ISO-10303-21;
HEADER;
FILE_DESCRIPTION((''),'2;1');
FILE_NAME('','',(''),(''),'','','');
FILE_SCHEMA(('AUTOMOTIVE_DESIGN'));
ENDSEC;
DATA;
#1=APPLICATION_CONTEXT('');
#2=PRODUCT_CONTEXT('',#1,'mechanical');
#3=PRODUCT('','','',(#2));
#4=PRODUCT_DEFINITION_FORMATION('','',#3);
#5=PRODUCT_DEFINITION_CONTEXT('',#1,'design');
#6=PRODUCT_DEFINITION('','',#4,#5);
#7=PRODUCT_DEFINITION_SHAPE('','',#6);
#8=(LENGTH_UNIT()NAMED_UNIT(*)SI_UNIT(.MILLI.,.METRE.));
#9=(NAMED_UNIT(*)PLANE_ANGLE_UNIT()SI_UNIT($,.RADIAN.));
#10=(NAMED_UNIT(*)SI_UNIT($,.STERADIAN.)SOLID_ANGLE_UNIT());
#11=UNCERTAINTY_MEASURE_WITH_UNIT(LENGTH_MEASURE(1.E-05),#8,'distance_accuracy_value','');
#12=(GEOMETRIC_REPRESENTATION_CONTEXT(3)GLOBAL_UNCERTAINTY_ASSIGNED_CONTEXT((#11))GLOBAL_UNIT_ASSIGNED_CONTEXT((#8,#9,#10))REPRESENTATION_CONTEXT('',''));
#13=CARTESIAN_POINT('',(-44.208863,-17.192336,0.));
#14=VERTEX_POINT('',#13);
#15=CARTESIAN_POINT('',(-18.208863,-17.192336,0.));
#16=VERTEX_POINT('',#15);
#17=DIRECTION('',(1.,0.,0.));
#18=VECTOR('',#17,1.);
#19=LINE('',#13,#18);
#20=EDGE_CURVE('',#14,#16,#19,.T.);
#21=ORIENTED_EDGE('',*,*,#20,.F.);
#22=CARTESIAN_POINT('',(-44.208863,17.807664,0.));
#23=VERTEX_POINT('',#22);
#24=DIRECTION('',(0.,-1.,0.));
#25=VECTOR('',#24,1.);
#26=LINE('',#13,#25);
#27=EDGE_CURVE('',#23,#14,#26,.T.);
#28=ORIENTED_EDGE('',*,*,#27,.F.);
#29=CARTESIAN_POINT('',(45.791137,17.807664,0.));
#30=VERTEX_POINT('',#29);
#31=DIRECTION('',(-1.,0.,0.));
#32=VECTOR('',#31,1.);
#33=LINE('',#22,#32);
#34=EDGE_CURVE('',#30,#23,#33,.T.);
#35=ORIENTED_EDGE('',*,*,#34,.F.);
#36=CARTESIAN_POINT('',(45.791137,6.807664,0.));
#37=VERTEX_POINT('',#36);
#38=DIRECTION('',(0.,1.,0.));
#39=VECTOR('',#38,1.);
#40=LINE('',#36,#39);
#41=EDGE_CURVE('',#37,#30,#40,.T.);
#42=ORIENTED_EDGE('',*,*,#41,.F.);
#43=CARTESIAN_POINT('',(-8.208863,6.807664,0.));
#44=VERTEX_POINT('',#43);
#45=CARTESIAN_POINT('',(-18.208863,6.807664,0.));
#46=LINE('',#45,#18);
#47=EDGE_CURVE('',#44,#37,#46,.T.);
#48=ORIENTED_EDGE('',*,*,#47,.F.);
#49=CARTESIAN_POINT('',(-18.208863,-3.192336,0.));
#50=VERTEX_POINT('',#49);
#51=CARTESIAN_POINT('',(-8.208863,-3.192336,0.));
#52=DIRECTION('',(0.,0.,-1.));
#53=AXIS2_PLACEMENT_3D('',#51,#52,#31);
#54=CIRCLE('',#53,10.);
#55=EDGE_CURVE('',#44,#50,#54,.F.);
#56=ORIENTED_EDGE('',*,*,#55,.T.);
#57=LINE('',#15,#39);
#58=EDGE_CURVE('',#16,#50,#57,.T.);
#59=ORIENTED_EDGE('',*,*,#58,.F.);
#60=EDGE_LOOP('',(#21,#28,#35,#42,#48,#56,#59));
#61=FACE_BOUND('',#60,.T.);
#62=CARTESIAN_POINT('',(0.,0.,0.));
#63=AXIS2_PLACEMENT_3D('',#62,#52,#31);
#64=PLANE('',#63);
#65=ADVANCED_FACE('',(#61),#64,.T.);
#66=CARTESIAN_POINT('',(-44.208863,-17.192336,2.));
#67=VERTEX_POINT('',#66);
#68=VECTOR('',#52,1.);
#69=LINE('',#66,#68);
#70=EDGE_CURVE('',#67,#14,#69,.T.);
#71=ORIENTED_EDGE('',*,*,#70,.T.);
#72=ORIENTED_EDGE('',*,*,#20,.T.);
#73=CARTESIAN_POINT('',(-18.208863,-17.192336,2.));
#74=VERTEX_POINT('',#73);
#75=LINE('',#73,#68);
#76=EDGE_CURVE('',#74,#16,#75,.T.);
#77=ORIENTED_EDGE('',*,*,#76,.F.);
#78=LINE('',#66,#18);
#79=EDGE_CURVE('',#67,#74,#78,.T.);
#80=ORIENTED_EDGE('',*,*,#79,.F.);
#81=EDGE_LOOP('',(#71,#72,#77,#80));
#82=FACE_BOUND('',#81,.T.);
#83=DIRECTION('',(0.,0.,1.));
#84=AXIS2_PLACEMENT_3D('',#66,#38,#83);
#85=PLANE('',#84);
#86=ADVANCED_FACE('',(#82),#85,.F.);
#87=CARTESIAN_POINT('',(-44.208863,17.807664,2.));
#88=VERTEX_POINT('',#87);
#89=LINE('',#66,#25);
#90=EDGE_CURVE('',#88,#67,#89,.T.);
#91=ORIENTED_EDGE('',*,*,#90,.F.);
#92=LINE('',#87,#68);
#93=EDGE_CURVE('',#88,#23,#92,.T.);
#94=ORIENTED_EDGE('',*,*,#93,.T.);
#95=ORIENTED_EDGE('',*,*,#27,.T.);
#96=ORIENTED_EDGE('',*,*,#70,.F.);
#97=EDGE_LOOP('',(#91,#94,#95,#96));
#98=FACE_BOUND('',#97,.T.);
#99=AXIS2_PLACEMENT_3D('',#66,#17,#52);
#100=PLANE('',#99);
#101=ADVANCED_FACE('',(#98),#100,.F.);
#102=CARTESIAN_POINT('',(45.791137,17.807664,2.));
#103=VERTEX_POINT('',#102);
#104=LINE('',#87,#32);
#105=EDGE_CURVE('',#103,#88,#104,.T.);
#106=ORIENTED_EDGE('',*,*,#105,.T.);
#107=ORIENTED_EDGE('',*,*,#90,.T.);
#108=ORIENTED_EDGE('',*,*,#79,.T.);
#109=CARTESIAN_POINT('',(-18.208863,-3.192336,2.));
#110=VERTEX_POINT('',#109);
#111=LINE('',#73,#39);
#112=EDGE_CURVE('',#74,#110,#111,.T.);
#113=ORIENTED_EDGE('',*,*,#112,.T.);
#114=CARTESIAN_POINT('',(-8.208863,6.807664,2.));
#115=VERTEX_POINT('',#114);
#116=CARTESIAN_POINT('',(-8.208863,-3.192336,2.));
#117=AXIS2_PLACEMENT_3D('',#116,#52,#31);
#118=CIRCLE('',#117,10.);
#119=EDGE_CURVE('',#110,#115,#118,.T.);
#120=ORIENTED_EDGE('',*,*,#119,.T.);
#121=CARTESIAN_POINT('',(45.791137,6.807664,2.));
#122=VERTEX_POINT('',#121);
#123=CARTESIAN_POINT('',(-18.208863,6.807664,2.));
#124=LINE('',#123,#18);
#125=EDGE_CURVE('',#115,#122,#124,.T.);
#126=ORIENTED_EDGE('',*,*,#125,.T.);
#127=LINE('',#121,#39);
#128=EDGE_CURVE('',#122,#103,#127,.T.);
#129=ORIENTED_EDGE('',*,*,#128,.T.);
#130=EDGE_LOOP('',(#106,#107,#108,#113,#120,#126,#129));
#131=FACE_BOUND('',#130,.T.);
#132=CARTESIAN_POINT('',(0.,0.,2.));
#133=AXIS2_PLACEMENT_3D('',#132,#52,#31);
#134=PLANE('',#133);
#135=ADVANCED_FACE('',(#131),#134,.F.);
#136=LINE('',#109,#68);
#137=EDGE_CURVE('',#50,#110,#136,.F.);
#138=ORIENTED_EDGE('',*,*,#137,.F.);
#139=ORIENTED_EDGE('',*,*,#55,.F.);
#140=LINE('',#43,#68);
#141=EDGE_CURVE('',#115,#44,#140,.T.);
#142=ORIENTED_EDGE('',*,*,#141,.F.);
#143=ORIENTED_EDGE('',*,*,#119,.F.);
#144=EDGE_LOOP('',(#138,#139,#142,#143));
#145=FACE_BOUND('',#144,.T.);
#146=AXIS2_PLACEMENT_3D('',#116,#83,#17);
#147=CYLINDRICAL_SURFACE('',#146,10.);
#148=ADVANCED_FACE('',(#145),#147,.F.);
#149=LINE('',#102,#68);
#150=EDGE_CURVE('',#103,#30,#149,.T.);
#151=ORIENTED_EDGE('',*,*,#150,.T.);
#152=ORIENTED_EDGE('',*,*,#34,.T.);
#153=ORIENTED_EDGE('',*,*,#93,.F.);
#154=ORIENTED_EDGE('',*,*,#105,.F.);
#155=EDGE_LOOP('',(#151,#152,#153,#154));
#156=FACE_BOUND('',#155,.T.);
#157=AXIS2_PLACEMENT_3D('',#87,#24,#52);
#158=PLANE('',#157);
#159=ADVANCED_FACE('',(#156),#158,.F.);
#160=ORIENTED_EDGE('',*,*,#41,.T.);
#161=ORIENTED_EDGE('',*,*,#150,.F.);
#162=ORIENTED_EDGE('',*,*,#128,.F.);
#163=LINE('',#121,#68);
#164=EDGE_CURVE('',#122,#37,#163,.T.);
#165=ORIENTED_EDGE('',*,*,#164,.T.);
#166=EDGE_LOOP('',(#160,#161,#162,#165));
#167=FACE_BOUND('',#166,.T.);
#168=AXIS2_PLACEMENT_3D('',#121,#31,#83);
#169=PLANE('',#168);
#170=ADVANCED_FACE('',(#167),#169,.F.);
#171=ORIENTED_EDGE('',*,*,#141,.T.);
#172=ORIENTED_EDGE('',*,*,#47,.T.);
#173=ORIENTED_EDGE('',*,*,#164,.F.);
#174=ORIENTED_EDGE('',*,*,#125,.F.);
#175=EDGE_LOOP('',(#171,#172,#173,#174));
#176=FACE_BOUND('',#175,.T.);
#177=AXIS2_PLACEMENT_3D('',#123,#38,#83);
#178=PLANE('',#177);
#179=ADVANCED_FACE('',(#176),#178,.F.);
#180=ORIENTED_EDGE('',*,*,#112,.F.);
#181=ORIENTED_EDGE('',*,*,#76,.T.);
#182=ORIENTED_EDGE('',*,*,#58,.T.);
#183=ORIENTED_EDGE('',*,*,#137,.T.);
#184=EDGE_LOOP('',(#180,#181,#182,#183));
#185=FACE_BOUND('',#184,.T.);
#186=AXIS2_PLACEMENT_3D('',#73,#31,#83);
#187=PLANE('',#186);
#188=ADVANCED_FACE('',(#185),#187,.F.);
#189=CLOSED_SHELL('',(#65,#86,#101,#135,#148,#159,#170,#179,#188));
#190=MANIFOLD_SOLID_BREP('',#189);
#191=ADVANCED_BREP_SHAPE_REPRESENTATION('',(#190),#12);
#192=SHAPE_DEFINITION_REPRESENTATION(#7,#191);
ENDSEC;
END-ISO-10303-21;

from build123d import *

# Parameters (mm, degrees)
BOSS_EXTRUDE1_DEPTH = 2
FILLET2_R           = 10


with BuildPart() as part:
    # Sketch1 → Boss-Extrude1 (new body)
    with BuildSketch(Plane.XY):
        Polygon((-18.20886328, -17.19233572), (-18.20886328, 6.80766428), (45.79113672, 6.80766428), (45.79113672, 17.80766428), (-44.20886328, 17.80766428), (-44.20886328, -17.19233572), align=None)
    extrude(amount=BOSS_EXTRUDE1_DEPTH)

    # Fillet2
    fillet2_edges = [part.edges().sort_by_distance(p)[0] for p in [
        (-18.20886328, 6.80766428, 1),
    ]]
    fillet(fillet2_edges, radius=FILLET2_R)


solid = part.part
